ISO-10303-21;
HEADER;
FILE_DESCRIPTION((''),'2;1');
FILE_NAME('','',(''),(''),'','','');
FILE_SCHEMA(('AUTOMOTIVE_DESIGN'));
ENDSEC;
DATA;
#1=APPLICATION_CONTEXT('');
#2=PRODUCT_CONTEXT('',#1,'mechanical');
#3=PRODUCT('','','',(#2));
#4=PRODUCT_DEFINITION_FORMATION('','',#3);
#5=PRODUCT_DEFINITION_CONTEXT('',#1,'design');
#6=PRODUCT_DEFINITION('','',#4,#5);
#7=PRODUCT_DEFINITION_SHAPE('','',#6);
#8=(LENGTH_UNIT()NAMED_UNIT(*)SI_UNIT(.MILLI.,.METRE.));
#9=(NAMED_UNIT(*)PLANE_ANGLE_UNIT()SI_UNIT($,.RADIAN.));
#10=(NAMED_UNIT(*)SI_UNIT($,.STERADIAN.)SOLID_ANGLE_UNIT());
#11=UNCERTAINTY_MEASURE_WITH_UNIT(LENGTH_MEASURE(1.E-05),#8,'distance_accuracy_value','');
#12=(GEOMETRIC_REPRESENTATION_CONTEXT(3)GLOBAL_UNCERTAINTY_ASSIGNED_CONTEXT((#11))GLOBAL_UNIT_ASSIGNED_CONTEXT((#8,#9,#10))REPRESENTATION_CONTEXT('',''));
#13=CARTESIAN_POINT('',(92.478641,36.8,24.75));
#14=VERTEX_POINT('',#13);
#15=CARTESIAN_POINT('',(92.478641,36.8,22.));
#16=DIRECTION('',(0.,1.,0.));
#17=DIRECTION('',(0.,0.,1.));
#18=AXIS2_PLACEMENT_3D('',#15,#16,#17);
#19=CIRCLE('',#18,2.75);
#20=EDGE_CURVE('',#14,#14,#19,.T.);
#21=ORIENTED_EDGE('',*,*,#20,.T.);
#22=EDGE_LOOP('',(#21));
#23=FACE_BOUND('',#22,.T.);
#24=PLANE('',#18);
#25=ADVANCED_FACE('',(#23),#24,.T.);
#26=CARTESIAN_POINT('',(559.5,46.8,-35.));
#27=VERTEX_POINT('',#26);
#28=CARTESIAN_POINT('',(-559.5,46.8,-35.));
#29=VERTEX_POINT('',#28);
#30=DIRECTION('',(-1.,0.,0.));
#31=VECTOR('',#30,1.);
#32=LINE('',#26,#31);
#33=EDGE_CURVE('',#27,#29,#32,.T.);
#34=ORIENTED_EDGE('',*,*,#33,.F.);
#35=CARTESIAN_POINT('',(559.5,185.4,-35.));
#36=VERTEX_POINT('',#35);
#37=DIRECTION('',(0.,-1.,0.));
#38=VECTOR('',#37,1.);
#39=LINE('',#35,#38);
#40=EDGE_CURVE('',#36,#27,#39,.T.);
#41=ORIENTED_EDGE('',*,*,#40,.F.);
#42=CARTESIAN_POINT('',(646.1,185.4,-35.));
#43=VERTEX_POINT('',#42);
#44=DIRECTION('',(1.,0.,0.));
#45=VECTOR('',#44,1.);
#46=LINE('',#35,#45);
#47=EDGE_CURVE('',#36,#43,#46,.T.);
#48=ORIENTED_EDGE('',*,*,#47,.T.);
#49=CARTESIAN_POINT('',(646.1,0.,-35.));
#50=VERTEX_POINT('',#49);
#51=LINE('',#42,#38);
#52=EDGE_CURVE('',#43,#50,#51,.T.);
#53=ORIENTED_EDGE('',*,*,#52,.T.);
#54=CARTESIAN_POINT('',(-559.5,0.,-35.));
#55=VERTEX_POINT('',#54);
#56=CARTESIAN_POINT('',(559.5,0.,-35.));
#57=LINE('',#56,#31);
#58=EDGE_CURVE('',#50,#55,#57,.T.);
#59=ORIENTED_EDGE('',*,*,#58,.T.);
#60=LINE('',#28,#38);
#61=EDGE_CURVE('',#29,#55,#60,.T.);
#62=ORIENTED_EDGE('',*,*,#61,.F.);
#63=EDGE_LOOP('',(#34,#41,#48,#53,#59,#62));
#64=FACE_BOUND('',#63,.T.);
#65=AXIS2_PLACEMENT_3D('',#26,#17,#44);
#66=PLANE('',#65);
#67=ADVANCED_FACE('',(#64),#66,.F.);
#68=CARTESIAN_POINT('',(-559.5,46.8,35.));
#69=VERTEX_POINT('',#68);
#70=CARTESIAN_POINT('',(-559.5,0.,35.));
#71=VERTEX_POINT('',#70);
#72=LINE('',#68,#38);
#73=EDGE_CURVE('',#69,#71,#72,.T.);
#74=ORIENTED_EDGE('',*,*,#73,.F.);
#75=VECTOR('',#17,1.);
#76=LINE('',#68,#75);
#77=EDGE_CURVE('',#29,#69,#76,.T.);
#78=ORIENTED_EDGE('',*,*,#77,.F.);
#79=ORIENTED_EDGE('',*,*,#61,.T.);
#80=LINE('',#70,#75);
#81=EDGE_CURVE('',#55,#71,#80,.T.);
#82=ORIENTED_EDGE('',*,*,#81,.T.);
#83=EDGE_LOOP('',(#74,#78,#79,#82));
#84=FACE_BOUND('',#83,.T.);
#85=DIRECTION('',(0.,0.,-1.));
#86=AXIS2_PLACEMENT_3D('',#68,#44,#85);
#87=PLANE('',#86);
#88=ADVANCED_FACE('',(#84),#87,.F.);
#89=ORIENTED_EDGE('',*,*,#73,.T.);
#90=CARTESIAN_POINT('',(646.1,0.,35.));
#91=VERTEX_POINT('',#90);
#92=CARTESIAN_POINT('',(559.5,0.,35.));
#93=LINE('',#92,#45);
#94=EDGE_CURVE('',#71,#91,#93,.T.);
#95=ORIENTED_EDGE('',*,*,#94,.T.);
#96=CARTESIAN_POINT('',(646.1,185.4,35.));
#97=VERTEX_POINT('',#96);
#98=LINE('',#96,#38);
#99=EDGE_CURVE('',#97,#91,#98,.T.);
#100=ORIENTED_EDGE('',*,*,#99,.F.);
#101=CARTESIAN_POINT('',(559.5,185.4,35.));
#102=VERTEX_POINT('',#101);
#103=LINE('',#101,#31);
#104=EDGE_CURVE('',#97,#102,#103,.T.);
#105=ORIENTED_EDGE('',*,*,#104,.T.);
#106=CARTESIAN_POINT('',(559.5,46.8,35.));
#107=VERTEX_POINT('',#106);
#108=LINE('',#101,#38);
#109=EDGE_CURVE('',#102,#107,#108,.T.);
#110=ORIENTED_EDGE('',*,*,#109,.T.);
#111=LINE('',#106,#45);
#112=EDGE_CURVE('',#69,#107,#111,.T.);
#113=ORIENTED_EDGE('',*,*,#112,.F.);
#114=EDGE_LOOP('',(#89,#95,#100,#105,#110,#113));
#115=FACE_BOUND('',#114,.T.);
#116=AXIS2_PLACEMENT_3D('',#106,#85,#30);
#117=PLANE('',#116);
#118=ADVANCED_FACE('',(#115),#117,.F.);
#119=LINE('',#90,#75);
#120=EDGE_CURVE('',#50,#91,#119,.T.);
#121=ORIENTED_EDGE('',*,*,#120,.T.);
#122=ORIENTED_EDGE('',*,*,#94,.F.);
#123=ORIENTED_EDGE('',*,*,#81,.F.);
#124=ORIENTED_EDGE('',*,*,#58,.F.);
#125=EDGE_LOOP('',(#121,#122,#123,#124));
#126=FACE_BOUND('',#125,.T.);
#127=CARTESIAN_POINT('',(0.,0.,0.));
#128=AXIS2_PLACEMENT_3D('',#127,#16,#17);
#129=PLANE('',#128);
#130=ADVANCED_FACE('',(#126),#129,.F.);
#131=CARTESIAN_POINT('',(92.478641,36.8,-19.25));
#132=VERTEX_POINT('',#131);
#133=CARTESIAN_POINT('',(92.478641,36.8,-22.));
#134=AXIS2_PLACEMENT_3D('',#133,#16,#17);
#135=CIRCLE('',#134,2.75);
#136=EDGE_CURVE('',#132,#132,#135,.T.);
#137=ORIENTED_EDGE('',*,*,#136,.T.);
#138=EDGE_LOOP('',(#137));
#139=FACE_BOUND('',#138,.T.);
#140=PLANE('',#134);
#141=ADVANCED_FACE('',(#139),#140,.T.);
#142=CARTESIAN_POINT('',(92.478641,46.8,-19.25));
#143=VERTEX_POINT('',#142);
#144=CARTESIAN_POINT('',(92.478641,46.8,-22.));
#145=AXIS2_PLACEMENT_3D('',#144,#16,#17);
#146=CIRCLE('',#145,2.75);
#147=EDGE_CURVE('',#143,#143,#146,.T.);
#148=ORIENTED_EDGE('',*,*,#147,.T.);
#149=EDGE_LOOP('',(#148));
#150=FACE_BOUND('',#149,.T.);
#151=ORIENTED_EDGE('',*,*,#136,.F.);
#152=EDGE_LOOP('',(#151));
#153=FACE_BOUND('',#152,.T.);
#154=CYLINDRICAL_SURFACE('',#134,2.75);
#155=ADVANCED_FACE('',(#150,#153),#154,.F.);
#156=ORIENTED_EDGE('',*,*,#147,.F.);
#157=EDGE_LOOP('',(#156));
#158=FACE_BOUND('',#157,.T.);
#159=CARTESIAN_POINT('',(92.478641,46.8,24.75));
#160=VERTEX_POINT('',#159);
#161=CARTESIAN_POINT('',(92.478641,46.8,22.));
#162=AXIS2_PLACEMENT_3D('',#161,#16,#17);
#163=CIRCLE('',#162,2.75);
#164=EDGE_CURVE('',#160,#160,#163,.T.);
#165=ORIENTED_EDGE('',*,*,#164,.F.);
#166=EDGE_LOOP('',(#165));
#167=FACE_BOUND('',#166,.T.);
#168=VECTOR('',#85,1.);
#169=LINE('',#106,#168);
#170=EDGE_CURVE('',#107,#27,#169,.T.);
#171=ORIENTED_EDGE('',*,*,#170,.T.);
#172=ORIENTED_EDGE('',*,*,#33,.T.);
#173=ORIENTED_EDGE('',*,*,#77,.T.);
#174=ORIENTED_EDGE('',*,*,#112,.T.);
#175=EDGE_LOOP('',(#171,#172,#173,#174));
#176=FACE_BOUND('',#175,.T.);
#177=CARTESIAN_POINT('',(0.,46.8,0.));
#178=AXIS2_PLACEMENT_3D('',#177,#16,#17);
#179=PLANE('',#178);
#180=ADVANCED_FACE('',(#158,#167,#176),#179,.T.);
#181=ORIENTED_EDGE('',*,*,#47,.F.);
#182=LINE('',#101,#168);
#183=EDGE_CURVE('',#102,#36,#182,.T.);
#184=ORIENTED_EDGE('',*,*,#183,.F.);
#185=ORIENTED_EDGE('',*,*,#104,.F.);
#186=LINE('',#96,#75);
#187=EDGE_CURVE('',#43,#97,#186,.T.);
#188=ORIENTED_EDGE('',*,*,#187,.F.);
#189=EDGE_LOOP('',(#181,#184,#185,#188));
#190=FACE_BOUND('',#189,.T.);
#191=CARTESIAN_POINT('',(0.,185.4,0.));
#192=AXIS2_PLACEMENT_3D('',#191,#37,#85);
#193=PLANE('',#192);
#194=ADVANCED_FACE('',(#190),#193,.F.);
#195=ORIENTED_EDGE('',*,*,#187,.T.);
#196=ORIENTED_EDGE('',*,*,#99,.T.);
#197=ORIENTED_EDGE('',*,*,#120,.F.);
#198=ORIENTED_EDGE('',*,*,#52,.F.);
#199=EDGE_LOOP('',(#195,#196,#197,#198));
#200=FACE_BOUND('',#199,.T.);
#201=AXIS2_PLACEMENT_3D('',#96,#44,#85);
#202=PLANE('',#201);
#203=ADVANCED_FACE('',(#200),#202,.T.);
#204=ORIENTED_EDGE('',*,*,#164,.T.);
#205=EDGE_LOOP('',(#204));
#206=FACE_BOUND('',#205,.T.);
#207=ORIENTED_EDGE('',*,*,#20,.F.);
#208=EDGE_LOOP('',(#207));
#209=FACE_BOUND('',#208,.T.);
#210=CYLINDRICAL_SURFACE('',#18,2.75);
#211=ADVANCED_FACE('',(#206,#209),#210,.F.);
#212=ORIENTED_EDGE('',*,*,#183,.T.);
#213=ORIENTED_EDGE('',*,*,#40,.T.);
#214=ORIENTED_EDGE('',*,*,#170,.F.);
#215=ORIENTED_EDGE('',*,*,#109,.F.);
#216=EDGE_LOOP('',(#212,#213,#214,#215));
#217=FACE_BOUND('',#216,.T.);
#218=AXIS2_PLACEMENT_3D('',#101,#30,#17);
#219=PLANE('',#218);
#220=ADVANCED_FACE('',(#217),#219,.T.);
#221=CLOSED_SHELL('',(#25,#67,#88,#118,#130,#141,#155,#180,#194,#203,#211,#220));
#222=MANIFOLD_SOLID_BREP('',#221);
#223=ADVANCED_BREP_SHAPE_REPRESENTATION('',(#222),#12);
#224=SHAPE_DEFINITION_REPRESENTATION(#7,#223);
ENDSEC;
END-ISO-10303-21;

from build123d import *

# Parameters (mm, degrees)
SKETCH1_W           = 1119
SKETCH1_H           = 70
BOSS_EXTRUDE1_DEPTH = 46.8
SKETCH2_W           = 86.6
SKETCH2_H           = 70
BOSS_EXTRUDE2_DEPTH = 185.4
SKETCH4_R           = 2.75
CUT_EXTRUDE1_DEPTH  = 10


with BuildPart() as part:
    # Sketch1 → Boss-Extrude1 (new body)
    with BuildSketch(Plane(origin=(0, 0, 0), x_dir=(1, 0, 0), z_dir=(0, 1, 0))):
        Rectangle(SKETCH1_W, SKETCH1_H)
    extrude(amount=BOSS_EXTRUDE1_DEPTH)

    # Sketch2 → Boss-Extrude2 (add)
    with BuildSketch(Plane.XZ):
        with Locations((602.8, 0)):
            Rectangle(SKETCH2_W, SKETCH2_H)
    extrude(amount=-BOSS_EXTRUDE2_DEPTH)

    # Sketch4 → Cut-Extrude1 (cut)
    with BuildSketch(Plane(origin=(0, 46.8, 0), x_dir=(1, 0, 0), z_dir=(0, 1, 0))):
        with Locations((92.478641365, 22)):
            Circle(SKETCH4_R)
        with Locations((92.478641365, -22)):
            Circle(SKETCH4_R)
    extrude(amount=-CUT_EXTRUDE1_DEPTH, mode=Mode.SUBTRACT)


solid = part.part
